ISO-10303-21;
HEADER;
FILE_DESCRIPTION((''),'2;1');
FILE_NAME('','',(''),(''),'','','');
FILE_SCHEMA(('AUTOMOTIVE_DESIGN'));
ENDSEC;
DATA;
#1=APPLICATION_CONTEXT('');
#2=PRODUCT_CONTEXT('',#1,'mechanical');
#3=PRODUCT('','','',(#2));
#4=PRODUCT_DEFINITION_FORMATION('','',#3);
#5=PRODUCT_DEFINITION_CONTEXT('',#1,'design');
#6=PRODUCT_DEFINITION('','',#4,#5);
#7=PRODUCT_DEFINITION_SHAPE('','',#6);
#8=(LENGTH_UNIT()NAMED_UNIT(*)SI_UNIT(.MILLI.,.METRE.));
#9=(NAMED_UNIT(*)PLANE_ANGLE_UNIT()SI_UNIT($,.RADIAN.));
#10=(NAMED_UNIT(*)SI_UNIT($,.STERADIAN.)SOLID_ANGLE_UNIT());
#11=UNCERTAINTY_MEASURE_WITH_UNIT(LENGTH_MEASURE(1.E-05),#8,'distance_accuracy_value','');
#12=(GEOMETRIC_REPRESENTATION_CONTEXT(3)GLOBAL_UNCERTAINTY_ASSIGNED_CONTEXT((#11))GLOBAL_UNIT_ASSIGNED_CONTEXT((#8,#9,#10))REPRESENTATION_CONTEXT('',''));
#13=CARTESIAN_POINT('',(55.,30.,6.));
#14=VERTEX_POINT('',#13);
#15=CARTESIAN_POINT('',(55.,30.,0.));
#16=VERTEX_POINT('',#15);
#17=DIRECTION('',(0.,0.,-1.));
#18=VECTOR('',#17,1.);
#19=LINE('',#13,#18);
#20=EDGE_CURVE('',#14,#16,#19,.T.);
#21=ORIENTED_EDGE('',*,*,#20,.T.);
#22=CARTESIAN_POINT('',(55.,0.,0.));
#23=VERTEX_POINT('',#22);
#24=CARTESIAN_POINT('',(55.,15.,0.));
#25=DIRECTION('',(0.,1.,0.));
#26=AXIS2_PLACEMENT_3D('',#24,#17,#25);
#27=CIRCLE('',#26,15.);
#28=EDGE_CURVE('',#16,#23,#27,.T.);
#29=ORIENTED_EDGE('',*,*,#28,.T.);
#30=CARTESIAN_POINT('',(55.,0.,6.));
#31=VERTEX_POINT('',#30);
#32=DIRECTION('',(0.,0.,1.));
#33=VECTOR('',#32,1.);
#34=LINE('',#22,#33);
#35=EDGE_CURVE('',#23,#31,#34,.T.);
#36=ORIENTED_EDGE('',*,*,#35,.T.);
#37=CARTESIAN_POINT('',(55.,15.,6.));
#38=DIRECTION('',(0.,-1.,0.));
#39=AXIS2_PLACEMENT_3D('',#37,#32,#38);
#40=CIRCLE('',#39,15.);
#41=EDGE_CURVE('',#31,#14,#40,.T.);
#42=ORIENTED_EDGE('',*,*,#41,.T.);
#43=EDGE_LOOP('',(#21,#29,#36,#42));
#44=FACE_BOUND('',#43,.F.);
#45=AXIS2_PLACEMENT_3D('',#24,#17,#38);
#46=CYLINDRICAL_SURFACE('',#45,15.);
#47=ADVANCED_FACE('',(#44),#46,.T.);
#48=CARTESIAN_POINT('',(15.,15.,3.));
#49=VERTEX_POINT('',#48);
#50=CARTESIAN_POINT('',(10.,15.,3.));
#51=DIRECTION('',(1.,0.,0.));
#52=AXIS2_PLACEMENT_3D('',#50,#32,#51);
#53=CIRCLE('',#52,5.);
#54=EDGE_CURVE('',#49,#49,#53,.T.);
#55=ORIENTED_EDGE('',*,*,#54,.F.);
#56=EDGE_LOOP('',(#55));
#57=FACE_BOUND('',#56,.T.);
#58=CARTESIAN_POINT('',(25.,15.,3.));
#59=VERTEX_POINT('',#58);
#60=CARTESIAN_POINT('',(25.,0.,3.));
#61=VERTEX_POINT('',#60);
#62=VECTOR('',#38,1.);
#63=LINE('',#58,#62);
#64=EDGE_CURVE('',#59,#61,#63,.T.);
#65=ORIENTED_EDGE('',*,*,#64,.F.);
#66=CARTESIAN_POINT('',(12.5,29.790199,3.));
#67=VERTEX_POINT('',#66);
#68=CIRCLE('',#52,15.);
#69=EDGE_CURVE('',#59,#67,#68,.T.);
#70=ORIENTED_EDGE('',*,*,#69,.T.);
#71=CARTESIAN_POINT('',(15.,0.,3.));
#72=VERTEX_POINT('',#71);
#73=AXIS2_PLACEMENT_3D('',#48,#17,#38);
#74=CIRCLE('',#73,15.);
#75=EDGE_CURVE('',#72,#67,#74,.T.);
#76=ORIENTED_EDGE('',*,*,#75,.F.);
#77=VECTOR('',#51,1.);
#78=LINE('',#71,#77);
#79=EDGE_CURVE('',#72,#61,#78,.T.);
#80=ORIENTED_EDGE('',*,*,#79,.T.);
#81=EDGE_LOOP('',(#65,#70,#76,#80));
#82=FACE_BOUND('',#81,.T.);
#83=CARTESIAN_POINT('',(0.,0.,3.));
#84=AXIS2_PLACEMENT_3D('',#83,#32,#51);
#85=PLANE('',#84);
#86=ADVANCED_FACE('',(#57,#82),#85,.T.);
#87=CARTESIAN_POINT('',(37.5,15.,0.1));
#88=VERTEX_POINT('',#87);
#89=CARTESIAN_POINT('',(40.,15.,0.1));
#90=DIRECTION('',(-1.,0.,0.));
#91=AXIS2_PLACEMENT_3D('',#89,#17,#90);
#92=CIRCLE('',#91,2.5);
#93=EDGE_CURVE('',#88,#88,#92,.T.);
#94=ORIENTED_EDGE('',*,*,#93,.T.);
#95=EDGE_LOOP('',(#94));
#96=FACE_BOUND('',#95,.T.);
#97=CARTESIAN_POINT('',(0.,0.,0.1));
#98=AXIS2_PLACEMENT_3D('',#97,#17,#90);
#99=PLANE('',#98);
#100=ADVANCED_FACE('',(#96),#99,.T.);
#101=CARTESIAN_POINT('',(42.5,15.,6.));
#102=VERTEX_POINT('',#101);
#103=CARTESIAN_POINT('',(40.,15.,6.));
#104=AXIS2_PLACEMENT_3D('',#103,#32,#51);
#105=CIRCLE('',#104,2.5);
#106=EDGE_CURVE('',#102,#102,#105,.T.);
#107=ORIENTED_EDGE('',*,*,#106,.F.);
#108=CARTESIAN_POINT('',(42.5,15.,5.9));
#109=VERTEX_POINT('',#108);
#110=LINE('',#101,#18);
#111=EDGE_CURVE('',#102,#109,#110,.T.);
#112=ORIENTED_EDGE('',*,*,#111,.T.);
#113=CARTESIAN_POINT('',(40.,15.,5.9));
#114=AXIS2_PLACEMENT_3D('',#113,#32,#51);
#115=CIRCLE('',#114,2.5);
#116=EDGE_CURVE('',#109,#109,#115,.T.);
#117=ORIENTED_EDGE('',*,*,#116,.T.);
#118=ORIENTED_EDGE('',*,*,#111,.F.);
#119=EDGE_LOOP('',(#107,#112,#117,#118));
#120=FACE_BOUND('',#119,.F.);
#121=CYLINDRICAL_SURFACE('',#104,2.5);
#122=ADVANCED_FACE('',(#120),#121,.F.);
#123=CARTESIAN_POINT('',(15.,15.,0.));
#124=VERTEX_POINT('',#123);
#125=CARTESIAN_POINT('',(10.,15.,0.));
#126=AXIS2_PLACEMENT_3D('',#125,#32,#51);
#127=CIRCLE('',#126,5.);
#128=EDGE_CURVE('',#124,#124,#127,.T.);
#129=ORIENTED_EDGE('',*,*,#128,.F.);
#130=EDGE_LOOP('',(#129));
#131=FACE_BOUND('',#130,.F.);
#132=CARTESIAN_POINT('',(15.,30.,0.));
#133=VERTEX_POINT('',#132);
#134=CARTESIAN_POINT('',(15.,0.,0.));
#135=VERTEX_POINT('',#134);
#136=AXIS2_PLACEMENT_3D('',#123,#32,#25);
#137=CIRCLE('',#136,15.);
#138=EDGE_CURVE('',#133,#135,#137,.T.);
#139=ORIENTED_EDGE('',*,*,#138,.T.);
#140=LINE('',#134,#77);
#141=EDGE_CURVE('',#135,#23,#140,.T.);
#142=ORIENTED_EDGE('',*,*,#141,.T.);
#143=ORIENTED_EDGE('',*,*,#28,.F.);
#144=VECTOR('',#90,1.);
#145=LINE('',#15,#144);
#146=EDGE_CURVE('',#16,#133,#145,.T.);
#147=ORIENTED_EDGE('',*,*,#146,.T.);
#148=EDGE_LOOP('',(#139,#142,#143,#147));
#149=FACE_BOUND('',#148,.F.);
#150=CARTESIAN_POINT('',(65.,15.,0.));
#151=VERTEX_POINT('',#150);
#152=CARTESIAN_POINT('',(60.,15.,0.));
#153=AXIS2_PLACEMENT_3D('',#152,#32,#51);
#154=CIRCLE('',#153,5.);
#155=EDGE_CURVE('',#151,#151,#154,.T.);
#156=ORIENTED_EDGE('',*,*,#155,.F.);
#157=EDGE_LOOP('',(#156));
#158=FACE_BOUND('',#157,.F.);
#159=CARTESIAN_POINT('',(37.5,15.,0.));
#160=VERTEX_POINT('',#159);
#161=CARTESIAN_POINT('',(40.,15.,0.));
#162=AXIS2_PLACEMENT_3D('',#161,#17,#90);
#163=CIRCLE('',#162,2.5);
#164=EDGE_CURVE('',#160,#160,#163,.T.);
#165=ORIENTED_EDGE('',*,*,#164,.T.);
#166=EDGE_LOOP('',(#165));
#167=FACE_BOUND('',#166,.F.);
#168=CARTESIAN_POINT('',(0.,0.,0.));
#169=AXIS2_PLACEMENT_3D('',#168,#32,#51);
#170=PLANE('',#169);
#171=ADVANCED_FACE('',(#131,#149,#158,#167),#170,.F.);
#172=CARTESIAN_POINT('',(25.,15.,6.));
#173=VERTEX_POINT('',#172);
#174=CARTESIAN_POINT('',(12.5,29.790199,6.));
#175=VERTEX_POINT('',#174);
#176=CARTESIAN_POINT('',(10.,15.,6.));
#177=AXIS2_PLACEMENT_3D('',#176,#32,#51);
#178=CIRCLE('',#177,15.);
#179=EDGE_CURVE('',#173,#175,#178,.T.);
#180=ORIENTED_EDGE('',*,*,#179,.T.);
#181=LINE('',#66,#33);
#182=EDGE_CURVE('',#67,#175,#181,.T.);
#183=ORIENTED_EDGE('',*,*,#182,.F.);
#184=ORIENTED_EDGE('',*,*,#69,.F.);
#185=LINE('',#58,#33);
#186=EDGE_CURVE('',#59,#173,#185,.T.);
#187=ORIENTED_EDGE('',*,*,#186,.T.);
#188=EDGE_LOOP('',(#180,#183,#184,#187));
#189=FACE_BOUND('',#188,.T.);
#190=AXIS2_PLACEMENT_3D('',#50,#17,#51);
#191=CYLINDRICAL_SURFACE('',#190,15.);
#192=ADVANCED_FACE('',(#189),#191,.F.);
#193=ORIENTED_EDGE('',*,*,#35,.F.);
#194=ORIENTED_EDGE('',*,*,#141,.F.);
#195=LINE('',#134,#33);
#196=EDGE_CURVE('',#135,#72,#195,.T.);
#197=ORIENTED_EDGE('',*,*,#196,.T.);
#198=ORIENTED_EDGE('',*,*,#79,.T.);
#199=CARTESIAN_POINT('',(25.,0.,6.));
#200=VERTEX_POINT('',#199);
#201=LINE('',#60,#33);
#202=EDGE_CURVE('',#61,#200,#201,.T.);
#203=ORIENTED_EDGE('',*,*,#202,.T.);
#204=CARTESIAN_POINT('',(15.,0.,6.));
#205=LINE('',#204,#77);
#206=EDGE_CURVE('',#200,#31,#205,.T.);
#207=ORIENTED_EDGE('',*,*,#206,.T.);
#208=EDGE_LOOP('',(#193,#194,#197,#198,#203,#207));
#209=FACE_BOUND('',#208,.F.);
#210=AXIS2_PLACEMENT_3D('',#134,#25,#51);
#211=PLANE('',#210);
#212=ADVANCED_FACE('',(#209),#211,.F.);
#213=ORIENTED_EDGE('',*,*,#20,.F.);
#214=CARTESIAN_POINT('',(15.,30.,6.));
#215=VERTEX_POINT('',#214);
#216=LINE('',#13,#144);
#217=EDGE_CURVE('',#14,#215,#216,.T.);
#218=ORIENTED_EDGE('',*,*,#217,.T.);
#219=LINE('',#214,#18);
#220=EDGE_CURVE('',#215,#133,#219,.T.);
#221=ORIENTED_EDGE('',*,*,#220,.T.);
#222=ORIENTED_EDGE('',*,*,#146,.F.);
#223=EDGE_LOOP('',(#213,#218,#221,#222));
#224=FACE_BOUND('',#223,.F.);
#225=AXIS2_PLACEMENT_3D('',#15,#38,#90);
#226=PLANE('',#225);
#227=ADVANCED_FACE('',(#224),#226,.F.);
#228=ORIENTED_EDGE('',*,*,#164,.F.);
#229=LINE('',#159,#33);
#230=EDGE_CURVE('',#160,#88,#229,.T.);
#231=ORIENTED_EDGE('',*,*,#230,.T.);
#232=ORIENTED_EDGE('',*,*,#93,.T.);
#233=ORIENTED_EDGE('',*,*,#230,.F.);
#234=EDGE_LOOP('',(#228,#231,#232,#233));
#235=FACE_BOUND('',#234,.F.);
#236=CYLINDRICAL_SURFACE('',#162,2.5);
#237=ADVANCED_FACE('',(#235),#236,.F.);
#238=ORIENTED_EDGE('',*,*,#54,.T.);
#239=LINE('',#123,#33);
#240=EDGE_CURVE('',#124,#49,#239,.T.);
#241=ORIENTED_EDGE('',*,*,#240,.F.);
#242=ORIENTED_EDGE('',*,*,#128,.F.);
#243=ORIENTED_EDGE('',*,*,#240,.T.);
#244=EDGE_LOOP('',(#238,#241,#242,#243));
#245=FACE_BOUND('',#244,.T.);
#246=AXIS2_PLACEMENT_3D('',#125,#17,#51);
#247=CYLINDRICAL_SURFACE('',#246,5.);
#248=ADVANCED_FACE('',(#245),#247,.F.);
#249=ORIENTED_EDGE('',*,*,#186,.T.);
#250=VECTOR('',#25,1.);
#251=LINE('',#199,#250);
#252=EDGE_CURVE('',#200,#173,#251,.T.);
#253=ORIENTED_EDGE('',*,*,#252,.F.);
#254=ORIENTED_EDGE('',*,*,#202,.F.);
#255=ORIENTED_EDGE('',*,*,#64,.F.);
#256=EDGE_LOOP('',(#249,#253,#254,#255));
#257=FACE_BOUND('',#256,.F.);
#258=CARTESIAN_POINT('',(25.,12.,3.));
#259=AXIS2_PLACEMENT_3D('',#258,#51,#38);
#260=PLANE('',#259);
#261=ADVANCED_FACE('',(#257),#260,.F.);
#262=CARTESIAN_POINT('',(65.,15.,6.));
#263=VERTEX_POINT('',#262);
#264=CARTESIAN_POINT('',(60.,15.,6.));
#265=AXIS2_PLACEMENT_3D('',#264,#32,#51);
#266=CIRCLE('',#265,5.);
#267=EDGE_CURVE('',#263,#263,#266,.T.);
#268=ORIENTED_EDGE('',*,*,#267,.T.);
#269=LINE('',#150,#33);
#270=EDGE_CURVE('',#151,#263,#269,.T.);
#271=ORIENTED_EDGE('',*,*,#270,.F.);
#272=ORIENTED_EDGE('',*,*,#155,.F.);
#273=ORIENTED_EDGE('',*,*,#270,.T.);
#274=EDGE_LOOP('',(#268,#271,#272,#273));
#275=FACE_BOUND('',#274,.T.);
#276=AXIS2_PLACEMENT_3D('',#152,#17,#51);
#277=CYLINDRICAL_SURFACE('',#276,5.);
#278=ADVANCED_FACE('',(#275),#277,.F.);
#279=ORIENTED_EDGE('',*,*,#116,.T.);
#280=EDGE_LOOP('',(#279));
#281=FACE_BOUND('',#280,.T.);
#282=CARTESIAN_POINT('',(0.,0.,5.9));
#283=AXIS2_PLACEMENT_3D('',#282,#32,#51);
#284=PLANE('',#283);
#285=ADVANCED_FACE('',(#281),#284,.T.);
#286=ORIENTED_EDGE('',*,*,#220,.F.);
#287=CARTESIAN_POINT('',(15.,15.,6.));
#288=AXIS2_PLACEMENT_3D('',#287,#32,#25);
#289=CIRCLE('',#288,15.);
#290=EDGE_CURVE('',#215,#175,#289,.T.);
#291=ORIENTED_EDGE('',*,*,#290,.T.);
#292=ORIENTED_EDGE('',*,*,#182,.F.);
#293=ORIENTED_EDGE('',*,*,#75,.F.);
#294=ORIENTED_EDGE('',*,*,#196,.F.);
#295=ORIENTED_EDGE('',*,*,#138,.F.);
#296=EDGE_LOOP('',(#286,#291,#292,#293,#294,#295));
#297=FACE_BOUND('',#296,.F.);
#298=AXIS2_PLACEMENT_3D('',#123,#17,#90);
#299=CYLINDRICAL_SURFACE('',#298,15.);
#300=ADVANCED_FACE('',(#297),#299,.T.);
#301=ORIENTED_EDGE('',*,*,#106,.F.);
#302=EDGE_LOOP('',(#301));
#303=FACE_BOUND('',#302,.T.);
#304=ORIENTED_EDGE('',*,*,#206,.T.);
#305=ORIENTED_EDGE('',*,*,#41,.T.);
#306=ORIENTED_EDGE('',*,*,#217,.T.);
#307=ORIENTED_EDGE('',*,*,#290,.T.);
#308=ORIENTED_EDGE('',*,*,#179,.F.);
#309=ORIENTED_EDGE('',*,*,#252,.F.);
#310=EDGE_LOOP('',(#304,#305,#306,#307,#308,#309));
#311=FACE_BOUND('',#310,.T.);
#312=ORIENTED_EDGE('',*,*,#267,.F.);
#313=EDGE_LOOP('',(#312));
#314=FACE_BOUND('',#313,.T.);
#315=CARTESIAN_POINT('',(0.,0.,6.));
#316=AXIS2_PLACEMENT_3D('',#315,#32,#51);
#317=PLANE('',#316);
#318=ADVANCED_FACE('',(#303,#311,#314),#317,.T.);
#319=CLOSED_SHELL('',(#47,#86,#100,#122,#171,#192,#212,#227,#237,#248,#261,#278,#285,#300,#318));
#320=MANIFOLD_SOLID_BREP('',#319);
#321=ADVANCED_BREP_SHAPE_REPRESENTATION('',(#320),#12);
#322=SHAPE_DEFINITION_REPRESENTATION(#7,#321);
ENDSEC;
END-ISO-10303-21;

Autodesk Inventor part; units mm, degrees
ref_plane "YZ Plane" through (0, 0, 0) normal (1, 0, 0) x (0, 1, 0)
ref_plane "XZ Plane" through (0, 0, 0) normal (0, 1, 0) x (-1, 0, 0)
ref_plane "XY Plane" through (0, 0, 0) normal (0, 0, 1) x (1, 0, 0)
sketch "Sketch1" plane through (0, 0, 0) normal (0, 0, 1) x (1, 0, 0)
  line L0 (15, 0) -> (55, 0)
  line L1 (70, 15) -> (70, 15)
  line L2 (55, 30) -> (15, 30)
  line L3 (0, 15) -> (0, 15)
  circle A0 centre (10, 15) radius 5
  circle A1 centre (60, 15) radius 5
  arc A2 (70, 15) -> (55, 30) centre (55, 15) ccw
  arc A3 (55, 0) -> (70, 15) centre (55, 15) ccw
  arc A4 (0, 15) -> (15, 0) centre (15, 15) ccw
  arc A5 (15, 30) -> (0, 15) centre (15, 15) ccw
  point P0 (0, 0)
  point P1 (70, 0)
  point P2 (70, 30)
  point P3 (0, 15)
  dimension "d1" = 30
  dimension "d14" = 10
  dimension "d15" = 10
  dimension "d16" = 10
  dimension "d17" = 50
  dimension "d18" = 15
  dimension "d21" = 15
extrude "Extrusion1" add sketch "Sketch1" along normal blind 3
sketch "Sketch3" plane through (0, 0, 3) normal (0, 0, 1) x (1, 0, 0)
  arc A0 (55, 0) -> (55, 30) centre (55, 15) ccw projected
  line L0 (55, 30) -> (15, 30) projected
  arc A1 (15, 30) -> (15, 0) centre (15, 15) ccw projected
  line L1 (15, 0) -> (55, 0) projected
  circle A2 centre (60, 15) radius 5 projected
  circle A3 centre (10, 15) radius 5 projected
  line L2 (55, 30) -> (15, 30) projected
  line L3 (25, 30) -> (25, 0)
  circle A4 centre (10, 15) radius 15
  circle A5 centre (10, 12) radius 15
  point P0 (0, 0)
  point P1 (12.5, 29.7902)
  point P2 (25, 15)
  dimension "d24" = 15
  dimension "d27" = 3
sketch "Sketch4" plane through (0, 0, 3) normal (0, 0, 1) x (1, 0, 0)
  point P0 (0, 0)
extrude "Extrusion3" add sketch "Sketch3" along normal blind 3 contours L1 L3 L0 A0 | L3 A4 A1 L0
sketch "Sketch5" plane through (0, 0, 0) normal (0, 0, -1) x (-1, 0, 0)
  circle A0 centre (-60, 15) radius 5 projected
  circle A1 centre (-10, 15) radius 5 projected
  circle A2 centre (-40, 15) radius 2.5
  line L0 (-25, 0) -> (-25, 15) projected
  point P0 (0, 0)
  dimension "d30" = 5
  dimension "d33" = 35
  dimension "d34" = 10
  dimension "d36" = 15
extrude "Extrusion4" cut sketch "Sketch5" against normal blind 0.1 contours A2
sketch "Sketch6" plane through (0, 0, 6) normal (0, 0, 1) x (1, 0, 0)
  circle A0 centre (40, 15) radius 2.5 projected
  point P0 (0, 0)
extrude "Extrusion5" cut sketch "Sketch6" against normal blind 0.1
equation "\"d1\" = d0"
equation "\"d14\" = d6"
equation "\"d15\" = d14"
equation "\"d16\" = d15"
equation "\"d18\" = 0.5 * d1"
equation "\"d21\" = 0.5 * d1"
equation "\"d19\" = d11"
equation "\"d24\" = 0.5 * d0"
equation "\"d27\" = 0.1 * d0"
equation "\"d25\" = d11"
equation "\"d36\" = 0.5 * d33 - 0.25 * d34"
equation "\"d6\" = 10"
equation "\"d11\" = 3"
equation "\"d0\" = 30"
properties part number "GripP3"
